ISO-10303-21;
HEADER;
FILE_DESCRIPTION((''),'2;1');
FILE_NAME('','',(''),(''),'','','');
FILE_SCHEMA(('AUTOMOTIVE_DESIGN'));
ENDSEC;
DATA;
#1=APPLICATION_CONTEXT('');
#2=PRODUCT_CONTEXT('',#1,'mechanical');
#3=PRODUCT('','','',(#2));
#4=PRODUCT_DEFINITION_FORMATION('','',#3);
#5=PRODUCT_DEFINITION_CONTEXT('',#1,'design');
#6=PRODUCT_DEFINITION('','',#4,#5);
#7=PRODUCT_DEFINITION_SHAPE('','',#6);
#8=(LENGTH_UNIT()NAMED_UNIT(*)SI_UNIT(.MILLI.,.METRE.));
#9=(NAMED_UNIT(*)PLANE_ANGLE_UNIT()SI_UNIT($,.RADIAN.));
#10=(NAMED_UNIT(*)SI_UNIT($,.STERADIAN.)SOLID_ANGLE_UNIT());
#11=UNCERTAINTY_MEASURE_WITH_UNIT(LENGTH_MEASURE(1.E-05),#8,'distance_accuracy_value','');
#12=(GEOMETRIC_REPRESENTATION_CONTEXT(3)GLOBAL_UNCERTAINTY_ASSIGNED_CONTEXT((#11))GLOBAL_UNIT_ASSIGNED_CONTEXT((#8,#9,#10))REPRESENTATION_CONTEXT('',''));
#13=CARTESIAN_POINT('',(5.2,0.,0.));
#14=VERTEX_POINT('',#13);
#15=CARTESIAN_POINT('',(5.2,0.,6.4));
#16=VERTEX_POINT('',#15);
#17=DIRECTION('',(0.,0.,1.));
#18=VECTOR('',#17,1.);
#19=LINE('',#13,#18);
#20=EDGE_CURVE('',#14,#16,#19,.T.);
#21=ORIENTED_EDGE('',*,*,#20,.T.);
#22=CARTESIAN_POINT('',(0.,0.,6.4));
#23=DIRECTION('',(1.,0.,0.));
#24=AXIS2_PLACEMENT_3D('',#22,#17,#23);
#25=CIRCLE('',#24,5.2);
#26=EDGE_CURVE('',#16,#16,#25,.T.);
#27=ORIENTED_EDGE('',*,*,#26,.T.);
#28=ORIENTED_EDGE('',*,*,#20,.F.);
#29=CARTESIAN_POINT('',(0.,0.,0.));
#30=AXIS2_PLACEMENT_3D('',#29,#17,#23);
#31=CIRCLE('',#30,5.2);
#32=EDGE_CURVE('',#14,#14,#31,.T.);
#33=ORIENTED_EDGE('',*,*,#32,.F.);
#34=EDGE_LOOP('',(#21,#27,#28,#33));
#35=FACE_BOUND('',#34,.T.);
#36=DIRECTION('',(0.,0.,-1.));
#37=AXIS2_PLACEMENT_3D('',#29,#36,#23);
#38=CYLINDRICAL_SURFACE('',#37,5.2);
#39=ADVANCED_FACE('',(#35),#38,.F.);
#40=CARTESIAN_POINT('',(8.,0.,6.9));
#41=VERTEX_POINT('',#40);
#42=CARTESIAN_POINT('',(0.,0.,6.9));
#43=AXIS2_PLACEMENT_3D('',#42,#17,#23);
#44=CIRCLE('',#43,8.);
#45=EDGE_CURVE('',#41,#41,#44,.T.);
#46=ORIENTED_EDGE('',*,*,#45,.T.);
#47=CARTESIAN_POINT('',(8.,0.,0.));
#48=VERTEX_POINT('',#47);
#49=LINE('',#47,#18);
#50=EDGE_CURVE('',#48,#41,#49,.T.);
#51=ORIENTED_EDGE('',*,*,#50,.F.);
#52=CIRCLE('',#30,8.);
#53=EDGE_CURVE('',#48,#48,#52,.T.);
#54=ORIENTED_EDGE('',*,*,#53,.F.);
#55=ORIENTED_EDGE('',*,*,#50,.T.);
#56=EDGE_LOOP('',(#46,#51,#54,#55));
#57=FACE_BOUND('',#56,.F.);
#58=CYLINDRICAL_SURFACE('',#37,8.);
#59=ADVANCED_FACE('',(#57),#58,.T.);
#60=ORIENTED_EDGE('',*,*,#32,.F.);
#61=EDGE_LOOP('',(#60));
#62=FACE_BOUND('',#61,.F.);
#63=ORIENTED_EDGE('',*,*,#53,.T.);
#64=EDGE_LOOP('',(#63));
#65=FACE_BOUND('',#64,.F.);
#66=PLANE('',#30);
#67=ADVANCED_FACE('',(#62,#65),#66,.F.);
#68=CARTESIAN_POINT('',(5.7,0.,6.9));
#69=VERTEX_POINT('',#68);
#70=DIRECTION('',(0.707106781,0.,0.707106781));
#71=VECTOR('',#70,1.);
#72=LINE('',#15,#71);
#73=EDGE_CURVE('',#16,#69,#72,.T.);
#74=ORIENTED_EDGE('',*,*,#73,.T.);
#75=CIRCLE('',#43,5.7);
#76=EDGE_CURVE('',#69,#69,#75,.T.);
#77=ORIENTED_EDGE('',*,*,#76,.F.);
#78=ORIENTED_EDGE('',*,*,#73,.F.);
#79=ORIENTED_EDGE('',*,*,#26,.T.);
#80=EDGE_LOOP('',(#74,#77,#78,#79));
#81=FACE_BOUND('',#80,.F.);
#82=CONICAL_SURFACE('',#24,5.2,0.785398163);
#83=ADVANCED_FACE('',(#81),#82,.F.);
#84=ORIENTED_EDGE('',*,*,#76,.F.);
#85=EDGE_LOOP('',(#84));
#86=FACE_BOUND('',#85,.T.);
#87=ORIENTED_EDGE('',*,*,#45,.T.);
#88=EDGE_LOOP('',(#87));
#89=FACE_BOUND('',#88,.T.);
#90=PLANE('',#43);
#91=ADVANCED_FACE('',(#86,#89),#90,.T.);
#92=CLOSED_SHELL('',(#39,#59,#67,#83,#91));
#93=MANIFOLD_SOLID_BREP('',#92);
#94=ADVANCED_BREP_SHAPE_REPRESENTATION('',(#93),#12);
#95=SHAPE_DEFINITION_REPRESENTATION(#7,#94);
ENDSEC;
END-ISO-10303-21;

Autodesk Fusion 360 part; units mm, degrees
sketch "Esquisse1" plane through (0, 0, 0) normal (0, 0, 1) x (1, 0, 0)
  circle A0 centre (0, 0) radius 8
  circle A1 centre (0, 0) radius 5.2
  dimension "d1" = 10.4
  dimension "d2" = 16
extrude "Extrusion1" add sketch "Esquisse1" along normal blind 6.9
chamfer "Chanfrein1" distance 0.5 angle 45 1 edges at (-4.8481, 1.8804, 6.9)
